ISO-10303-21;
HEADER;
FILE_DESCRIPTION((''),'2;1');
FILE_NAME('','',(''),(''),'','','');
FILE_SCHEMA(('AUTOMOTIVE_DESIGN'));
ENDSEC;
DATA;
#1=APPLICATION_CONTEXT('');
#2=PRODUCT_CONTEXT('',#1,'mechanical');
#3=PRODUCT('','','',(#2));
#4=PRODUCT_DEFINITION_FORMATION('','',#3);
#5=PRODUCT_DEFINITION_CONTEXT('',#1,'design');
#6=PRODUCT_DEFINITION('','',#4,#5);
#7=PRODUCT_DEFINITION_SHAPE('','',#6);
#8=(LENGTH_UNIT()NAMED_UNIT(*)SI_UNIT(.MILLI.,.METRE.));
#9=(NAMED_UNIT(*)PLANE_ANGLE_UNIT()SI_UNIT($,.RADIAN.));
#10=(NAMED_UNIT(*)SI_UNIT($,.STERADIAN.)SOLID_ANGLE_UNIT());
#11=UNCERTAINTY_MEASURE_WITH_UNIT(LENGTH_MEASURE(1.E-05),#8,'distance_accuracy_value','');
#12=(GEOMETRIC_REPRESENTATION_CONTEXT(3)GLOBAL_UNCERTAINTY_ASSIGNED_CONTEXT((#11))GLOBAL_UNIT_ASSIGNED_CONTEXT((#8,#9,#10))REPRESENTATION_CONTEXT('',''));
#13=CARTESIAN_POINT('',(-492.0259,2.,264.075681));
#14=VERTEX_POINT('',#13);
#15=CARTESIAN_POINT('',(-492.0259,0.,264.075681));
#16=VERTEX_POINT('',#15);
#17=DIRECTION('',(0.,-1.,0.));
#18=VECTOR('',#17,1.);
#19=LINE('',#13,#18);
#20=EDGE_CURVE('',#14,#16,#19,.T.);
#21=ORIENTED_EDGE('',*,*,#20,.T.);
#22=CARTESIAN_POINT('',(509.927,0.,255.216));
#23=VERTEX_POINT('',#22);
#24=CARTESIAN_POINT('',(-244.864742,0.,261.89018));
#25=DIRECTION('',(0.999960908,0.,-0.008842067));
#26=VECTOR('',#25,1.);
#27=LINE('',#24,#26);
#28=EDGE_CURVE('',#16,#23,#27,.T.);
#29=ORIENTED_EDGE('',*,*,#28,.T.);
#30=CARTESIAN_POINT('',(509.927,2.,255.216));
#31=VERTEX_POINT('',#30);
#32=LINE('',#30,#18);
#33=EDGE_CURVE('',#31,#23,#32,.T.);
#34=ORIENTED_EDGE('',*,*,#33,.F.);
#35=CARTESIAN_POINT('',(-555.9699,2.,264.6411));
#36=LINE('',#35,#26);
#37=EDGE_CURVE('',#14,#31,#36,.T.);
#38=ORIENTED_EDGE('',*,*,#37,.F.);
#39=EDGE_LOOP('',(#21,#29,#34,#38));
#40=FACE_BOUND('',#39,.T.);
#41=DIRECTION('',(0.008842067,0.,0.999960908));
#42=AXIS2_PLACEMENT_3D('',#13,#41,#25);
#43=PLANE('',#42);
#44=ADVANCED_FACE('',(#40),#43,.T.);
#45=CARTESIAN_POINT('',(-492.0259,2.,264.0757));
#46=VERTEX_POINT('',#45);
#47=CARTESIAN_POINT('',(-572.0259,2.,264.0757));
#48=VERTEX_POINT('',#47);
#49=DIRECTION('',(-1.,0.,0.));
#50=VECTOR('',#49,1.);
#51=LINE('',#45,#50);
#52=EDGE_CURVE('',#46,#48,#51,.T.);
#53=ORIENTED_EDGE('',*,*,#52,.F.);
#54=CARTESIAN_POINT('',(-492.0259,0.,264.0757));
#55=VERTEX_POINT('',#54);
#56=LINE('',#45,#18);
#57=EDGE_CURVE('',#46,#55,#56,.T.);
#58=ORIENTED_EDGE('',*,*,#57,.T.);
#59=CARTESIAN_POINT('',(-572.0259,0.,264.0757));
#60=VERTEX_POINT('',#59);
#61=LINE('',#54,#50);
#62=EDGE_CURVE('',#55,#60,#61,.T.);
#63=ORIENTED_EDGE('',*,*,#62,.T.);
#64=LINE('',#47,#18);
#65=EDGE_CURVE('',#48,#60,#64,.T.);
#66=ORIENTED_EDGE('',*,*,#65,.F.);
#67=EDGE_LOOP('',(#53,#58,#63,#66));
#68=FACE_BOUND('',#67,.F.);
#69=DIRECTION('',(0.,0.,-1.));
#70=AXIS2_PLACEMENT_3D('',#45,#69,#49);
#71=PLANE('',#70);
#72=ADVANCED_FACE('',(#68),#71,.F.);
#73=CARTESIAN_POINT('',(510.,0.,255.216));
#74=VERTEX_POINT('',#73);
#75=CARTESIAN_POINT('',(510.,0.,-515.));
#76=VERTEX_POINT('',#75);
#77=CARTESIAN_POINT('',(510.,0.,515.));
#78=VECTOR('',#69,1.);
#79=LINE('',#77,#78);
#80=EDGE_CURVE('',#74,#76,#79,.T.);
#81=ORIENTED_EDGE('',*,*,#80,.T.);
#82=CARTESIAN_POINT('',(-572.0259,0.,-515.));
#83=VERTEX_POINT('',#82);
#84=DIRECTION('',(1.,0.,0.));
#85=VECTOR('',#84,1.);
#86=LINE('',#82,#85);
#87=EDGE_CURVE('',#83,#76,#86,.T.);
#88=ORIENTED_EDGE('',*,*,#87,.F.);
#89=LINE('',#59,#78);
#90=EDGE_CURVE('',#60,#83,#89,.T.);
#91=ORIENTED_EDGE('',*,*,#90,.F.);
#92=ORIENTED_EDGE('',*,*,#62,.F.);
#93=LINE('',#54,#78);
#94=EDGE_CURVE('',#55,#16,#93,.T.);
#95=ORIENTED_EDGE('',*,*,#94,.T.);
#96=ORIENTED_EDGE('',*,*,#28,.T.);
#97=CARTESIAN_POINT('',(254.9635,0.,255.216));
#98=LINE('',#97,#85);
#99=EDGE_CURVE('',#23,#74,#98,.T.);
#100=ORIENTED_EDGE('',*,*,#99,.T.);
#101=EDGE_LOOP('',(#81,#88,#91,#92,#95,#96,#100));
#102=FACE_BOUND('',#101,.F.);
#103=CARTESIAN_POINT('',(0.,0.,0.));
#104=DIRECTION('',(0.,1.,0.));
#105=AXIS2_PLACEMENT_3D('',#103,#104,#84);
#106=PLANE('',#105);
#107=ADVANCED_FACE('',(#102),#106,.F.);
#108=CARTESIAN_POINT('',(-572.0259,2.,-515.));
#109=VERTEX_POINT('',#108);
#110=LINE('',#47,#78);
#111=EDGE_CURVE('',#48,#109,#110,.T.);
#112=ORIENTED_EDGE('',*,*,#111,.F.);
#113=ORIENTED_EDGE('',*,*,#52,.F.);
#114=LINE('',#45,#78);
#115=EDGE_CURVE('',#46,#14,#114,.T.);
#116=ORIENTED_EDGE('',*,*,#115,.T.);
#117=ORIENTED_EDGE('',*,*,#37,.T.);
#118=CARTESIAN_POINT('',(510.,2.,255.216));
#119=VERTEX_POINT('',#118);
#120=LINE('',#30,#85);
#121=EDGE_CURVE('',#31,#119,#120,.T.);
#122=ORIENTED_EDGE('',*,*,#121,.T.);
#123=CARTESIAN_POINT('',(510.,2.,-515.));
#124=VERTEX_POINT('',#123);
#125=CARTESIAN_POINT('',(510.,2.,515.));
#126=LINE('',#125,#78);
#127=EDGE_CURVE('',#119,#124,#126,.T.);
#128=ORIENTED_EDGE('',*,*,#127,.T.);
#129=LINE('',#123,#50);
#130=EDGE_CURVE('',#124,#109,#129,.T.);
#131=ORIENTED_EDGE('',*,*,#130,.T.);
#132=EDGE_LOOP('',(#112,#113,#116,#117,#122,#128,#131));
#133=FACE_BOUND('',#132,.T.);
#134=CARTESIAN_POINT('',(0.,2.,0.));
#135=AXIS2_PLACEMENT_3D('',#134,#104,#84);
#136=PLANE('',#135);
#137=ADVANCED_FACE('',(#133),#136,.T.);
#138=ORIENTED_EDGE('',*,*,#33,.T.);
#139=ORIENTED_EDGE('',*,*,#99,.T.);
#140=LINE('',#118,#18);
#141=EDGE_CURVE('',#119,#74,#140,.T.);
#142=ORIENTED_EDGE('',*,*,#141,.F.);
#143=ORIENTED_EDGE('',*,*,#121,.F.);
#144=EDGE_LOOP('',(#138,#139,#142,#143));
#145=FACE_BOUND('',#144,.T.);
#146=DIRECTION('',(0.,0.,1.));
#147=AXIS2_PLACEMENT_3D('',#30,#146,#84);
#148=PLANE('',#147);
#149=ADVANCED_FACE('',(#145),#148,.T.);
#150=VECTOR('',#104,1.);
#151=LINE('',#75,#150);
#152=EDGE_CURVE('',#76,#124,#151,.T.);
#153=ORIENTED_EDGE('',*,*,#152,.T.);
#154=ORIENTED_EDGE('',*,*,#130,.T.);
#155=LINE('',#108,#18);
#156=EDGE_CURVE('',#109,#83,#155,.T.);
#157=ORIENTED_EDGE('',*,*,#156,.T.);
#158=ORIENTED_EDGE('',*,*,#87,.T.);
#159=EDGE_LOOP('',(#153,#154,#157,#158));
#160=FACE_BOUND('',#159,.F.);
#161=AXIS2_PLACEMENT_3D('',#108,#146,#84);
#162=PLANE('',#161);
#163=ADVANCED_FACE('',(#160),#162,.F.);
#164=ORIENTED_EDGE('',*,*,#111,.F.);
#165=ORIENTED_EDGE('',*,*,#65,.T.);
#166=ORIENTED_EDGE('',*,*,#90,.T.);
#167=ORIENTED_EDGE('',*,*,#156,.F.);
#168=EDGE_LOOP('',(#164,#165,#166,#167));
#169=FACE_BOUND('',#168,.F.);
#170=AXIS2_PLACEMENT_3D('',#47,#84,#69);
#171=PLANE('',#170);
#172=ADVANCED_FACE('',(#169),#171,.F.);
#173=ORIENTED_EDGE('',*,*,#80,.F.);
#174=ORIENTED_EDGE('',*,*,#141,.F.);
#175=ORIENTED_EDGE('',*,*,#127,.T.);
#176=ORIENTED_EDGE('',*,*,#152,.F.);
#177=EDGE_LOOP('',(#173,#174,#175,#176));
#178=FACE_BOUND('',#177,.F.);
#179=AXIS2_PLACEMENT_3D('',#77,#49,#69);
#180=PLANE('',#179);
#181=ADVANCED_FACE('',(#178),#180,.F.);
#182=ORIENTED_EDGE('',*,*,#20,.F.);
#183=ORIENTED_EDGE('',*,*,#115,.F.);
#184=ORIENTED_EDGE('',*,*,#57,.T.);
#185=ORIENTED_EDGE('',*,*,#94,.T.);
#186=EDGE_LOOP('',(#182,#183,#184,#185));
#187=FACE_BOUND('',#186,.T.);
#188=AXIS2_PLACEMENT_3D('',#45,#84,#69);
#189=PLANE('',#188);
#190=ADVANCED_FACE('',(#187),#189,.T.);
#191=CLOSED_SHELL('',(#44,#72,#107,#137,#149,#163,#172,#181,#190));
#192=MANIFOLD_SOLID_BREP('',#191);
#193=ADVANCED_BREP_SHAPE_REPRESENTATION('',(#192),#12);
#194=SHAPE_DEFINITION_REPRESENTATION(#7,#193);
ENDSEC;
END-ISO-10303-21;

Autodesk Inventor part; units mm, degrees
ref_plane "YZ Plane" through (0, 0, 0) normal (1, 0, 0) x (0, 1, 0)
ref_plane "XZ Plane" through (0, 0, 0) normal (0, 1, 0) x (-1, 0, 0)
ref_plane "XY Plane" through (0, 0, 0) normal (0, 0, 1) x (1, 0, 0)
sketch "Sketch1" plane through (0, 0, 0) normal (0, 1, 0) x (-1, 0, 0)
  line L0 (510, 515) -> (-510, 515)
  line L1 (-510, 515) -> (-510, -515)
  line L2 (-510, -515) -> (510, -515)
  line L3 (510, -515) -> (510, 515)
  line L4 (510, 515) -> (-510, -515) construction
  line L5 (-510, 515) -> (510, -515) construction
  point P0 (0, 0)
  dimension "d0" = 1020
  dimension "d1" = 1030
extrude "Plate1" add sketch "Sketch1" along normal blind 2
sketch "Sketch2" plane through (0, 0, 0) normal (0, -1, 0) x (1, 0, 0)
  line L0 (-492.0259, 515) -> (-492.0259, -515) projected
  line L1 (510, 515) -> (510, -515) projected
  line L2 (-510, 515) -> (510, 515) projected
  line L3 (-510, -515) -> (-510, 515) projected
  line L4 (510, -515) -> (-510, -515) projected
  point P0 (0, 0)
extrude "Extrusion1" cut sketch "Sketch2" against normal through all contours L0 L4 L3 L2
sketch "Sketch3" plane through (0, 2, 0) normal (0, 1, 0) x (1, 0, 0)
  line L0 (509.927, -255.216) -> (502.87, -255.6841) projected
  line L1 (-555.9699, -264.6411) -> (509.927, -255.216) projected
  line L2 (-492.0259, 515) -> (-492.0259, -515) projected
  line L3 (510, -515) -> (-492.0259, -515) projected
  line L4 (510, 515) -> (510, -515) projected
  line L5 (-492.0259, 515) -> (510, 515) projected
  line L6 (509.927, -255.216) -> (510, -255.216)
  point P0 (0, 0)
  point P1 (-492.0259, -264.0757)
extrude "Extrusion2" cut sketch "Sketch3" against normal through all contours L1 L6 L4 L3 L2
sketch "Sketch4" plane through (0, 2, 0) normal (0, 1, 0) x (1, 0, 0)
  line L0 (-492.0259, -264.0757) -> (-492.0259, 515) projected
  line L1 (-492.0259, -264.0757) -> (-572.0259, -264.0757)
  line L2 (-572.0259, -264.0757) -> (-572.0259, 515)
  line L3 (-572.0259, 515) -> (-492.0259, 515)
  line L4 (-492.0259, 515) -> (-492.0259, -264.0757)
  point P0 (0, 0)
  point P1 (-532.0259, 515)
  point P2 (-492.0259, 515)
  dimension "d7" = 80
  dimension "d8" = 740.457
extrude "Extrusion3" add sketch "Sketch4" against normal blind 2
equation "\"d2\" = Thickness"
equation "\"BendRadius\" = Thickness"
equation "\"BendReliefWidth\" = Thickness"
equation "\"BendReliefDepth\" = 0.5 * Thickness"
equation "\"CornerReliefSize\" = 4 * Thickness"
equation "\"MinimumRemnant\" = 2 * Thickness"
equation "\"TransitionRadius\" = BendRadius"
equation "\"JacobiRadiusSize\" = BendRadius"
equation "\"GapSize\" = Thickness"
equation "\"Thickness\" = 2"
properties part number "inclind sheet2"
